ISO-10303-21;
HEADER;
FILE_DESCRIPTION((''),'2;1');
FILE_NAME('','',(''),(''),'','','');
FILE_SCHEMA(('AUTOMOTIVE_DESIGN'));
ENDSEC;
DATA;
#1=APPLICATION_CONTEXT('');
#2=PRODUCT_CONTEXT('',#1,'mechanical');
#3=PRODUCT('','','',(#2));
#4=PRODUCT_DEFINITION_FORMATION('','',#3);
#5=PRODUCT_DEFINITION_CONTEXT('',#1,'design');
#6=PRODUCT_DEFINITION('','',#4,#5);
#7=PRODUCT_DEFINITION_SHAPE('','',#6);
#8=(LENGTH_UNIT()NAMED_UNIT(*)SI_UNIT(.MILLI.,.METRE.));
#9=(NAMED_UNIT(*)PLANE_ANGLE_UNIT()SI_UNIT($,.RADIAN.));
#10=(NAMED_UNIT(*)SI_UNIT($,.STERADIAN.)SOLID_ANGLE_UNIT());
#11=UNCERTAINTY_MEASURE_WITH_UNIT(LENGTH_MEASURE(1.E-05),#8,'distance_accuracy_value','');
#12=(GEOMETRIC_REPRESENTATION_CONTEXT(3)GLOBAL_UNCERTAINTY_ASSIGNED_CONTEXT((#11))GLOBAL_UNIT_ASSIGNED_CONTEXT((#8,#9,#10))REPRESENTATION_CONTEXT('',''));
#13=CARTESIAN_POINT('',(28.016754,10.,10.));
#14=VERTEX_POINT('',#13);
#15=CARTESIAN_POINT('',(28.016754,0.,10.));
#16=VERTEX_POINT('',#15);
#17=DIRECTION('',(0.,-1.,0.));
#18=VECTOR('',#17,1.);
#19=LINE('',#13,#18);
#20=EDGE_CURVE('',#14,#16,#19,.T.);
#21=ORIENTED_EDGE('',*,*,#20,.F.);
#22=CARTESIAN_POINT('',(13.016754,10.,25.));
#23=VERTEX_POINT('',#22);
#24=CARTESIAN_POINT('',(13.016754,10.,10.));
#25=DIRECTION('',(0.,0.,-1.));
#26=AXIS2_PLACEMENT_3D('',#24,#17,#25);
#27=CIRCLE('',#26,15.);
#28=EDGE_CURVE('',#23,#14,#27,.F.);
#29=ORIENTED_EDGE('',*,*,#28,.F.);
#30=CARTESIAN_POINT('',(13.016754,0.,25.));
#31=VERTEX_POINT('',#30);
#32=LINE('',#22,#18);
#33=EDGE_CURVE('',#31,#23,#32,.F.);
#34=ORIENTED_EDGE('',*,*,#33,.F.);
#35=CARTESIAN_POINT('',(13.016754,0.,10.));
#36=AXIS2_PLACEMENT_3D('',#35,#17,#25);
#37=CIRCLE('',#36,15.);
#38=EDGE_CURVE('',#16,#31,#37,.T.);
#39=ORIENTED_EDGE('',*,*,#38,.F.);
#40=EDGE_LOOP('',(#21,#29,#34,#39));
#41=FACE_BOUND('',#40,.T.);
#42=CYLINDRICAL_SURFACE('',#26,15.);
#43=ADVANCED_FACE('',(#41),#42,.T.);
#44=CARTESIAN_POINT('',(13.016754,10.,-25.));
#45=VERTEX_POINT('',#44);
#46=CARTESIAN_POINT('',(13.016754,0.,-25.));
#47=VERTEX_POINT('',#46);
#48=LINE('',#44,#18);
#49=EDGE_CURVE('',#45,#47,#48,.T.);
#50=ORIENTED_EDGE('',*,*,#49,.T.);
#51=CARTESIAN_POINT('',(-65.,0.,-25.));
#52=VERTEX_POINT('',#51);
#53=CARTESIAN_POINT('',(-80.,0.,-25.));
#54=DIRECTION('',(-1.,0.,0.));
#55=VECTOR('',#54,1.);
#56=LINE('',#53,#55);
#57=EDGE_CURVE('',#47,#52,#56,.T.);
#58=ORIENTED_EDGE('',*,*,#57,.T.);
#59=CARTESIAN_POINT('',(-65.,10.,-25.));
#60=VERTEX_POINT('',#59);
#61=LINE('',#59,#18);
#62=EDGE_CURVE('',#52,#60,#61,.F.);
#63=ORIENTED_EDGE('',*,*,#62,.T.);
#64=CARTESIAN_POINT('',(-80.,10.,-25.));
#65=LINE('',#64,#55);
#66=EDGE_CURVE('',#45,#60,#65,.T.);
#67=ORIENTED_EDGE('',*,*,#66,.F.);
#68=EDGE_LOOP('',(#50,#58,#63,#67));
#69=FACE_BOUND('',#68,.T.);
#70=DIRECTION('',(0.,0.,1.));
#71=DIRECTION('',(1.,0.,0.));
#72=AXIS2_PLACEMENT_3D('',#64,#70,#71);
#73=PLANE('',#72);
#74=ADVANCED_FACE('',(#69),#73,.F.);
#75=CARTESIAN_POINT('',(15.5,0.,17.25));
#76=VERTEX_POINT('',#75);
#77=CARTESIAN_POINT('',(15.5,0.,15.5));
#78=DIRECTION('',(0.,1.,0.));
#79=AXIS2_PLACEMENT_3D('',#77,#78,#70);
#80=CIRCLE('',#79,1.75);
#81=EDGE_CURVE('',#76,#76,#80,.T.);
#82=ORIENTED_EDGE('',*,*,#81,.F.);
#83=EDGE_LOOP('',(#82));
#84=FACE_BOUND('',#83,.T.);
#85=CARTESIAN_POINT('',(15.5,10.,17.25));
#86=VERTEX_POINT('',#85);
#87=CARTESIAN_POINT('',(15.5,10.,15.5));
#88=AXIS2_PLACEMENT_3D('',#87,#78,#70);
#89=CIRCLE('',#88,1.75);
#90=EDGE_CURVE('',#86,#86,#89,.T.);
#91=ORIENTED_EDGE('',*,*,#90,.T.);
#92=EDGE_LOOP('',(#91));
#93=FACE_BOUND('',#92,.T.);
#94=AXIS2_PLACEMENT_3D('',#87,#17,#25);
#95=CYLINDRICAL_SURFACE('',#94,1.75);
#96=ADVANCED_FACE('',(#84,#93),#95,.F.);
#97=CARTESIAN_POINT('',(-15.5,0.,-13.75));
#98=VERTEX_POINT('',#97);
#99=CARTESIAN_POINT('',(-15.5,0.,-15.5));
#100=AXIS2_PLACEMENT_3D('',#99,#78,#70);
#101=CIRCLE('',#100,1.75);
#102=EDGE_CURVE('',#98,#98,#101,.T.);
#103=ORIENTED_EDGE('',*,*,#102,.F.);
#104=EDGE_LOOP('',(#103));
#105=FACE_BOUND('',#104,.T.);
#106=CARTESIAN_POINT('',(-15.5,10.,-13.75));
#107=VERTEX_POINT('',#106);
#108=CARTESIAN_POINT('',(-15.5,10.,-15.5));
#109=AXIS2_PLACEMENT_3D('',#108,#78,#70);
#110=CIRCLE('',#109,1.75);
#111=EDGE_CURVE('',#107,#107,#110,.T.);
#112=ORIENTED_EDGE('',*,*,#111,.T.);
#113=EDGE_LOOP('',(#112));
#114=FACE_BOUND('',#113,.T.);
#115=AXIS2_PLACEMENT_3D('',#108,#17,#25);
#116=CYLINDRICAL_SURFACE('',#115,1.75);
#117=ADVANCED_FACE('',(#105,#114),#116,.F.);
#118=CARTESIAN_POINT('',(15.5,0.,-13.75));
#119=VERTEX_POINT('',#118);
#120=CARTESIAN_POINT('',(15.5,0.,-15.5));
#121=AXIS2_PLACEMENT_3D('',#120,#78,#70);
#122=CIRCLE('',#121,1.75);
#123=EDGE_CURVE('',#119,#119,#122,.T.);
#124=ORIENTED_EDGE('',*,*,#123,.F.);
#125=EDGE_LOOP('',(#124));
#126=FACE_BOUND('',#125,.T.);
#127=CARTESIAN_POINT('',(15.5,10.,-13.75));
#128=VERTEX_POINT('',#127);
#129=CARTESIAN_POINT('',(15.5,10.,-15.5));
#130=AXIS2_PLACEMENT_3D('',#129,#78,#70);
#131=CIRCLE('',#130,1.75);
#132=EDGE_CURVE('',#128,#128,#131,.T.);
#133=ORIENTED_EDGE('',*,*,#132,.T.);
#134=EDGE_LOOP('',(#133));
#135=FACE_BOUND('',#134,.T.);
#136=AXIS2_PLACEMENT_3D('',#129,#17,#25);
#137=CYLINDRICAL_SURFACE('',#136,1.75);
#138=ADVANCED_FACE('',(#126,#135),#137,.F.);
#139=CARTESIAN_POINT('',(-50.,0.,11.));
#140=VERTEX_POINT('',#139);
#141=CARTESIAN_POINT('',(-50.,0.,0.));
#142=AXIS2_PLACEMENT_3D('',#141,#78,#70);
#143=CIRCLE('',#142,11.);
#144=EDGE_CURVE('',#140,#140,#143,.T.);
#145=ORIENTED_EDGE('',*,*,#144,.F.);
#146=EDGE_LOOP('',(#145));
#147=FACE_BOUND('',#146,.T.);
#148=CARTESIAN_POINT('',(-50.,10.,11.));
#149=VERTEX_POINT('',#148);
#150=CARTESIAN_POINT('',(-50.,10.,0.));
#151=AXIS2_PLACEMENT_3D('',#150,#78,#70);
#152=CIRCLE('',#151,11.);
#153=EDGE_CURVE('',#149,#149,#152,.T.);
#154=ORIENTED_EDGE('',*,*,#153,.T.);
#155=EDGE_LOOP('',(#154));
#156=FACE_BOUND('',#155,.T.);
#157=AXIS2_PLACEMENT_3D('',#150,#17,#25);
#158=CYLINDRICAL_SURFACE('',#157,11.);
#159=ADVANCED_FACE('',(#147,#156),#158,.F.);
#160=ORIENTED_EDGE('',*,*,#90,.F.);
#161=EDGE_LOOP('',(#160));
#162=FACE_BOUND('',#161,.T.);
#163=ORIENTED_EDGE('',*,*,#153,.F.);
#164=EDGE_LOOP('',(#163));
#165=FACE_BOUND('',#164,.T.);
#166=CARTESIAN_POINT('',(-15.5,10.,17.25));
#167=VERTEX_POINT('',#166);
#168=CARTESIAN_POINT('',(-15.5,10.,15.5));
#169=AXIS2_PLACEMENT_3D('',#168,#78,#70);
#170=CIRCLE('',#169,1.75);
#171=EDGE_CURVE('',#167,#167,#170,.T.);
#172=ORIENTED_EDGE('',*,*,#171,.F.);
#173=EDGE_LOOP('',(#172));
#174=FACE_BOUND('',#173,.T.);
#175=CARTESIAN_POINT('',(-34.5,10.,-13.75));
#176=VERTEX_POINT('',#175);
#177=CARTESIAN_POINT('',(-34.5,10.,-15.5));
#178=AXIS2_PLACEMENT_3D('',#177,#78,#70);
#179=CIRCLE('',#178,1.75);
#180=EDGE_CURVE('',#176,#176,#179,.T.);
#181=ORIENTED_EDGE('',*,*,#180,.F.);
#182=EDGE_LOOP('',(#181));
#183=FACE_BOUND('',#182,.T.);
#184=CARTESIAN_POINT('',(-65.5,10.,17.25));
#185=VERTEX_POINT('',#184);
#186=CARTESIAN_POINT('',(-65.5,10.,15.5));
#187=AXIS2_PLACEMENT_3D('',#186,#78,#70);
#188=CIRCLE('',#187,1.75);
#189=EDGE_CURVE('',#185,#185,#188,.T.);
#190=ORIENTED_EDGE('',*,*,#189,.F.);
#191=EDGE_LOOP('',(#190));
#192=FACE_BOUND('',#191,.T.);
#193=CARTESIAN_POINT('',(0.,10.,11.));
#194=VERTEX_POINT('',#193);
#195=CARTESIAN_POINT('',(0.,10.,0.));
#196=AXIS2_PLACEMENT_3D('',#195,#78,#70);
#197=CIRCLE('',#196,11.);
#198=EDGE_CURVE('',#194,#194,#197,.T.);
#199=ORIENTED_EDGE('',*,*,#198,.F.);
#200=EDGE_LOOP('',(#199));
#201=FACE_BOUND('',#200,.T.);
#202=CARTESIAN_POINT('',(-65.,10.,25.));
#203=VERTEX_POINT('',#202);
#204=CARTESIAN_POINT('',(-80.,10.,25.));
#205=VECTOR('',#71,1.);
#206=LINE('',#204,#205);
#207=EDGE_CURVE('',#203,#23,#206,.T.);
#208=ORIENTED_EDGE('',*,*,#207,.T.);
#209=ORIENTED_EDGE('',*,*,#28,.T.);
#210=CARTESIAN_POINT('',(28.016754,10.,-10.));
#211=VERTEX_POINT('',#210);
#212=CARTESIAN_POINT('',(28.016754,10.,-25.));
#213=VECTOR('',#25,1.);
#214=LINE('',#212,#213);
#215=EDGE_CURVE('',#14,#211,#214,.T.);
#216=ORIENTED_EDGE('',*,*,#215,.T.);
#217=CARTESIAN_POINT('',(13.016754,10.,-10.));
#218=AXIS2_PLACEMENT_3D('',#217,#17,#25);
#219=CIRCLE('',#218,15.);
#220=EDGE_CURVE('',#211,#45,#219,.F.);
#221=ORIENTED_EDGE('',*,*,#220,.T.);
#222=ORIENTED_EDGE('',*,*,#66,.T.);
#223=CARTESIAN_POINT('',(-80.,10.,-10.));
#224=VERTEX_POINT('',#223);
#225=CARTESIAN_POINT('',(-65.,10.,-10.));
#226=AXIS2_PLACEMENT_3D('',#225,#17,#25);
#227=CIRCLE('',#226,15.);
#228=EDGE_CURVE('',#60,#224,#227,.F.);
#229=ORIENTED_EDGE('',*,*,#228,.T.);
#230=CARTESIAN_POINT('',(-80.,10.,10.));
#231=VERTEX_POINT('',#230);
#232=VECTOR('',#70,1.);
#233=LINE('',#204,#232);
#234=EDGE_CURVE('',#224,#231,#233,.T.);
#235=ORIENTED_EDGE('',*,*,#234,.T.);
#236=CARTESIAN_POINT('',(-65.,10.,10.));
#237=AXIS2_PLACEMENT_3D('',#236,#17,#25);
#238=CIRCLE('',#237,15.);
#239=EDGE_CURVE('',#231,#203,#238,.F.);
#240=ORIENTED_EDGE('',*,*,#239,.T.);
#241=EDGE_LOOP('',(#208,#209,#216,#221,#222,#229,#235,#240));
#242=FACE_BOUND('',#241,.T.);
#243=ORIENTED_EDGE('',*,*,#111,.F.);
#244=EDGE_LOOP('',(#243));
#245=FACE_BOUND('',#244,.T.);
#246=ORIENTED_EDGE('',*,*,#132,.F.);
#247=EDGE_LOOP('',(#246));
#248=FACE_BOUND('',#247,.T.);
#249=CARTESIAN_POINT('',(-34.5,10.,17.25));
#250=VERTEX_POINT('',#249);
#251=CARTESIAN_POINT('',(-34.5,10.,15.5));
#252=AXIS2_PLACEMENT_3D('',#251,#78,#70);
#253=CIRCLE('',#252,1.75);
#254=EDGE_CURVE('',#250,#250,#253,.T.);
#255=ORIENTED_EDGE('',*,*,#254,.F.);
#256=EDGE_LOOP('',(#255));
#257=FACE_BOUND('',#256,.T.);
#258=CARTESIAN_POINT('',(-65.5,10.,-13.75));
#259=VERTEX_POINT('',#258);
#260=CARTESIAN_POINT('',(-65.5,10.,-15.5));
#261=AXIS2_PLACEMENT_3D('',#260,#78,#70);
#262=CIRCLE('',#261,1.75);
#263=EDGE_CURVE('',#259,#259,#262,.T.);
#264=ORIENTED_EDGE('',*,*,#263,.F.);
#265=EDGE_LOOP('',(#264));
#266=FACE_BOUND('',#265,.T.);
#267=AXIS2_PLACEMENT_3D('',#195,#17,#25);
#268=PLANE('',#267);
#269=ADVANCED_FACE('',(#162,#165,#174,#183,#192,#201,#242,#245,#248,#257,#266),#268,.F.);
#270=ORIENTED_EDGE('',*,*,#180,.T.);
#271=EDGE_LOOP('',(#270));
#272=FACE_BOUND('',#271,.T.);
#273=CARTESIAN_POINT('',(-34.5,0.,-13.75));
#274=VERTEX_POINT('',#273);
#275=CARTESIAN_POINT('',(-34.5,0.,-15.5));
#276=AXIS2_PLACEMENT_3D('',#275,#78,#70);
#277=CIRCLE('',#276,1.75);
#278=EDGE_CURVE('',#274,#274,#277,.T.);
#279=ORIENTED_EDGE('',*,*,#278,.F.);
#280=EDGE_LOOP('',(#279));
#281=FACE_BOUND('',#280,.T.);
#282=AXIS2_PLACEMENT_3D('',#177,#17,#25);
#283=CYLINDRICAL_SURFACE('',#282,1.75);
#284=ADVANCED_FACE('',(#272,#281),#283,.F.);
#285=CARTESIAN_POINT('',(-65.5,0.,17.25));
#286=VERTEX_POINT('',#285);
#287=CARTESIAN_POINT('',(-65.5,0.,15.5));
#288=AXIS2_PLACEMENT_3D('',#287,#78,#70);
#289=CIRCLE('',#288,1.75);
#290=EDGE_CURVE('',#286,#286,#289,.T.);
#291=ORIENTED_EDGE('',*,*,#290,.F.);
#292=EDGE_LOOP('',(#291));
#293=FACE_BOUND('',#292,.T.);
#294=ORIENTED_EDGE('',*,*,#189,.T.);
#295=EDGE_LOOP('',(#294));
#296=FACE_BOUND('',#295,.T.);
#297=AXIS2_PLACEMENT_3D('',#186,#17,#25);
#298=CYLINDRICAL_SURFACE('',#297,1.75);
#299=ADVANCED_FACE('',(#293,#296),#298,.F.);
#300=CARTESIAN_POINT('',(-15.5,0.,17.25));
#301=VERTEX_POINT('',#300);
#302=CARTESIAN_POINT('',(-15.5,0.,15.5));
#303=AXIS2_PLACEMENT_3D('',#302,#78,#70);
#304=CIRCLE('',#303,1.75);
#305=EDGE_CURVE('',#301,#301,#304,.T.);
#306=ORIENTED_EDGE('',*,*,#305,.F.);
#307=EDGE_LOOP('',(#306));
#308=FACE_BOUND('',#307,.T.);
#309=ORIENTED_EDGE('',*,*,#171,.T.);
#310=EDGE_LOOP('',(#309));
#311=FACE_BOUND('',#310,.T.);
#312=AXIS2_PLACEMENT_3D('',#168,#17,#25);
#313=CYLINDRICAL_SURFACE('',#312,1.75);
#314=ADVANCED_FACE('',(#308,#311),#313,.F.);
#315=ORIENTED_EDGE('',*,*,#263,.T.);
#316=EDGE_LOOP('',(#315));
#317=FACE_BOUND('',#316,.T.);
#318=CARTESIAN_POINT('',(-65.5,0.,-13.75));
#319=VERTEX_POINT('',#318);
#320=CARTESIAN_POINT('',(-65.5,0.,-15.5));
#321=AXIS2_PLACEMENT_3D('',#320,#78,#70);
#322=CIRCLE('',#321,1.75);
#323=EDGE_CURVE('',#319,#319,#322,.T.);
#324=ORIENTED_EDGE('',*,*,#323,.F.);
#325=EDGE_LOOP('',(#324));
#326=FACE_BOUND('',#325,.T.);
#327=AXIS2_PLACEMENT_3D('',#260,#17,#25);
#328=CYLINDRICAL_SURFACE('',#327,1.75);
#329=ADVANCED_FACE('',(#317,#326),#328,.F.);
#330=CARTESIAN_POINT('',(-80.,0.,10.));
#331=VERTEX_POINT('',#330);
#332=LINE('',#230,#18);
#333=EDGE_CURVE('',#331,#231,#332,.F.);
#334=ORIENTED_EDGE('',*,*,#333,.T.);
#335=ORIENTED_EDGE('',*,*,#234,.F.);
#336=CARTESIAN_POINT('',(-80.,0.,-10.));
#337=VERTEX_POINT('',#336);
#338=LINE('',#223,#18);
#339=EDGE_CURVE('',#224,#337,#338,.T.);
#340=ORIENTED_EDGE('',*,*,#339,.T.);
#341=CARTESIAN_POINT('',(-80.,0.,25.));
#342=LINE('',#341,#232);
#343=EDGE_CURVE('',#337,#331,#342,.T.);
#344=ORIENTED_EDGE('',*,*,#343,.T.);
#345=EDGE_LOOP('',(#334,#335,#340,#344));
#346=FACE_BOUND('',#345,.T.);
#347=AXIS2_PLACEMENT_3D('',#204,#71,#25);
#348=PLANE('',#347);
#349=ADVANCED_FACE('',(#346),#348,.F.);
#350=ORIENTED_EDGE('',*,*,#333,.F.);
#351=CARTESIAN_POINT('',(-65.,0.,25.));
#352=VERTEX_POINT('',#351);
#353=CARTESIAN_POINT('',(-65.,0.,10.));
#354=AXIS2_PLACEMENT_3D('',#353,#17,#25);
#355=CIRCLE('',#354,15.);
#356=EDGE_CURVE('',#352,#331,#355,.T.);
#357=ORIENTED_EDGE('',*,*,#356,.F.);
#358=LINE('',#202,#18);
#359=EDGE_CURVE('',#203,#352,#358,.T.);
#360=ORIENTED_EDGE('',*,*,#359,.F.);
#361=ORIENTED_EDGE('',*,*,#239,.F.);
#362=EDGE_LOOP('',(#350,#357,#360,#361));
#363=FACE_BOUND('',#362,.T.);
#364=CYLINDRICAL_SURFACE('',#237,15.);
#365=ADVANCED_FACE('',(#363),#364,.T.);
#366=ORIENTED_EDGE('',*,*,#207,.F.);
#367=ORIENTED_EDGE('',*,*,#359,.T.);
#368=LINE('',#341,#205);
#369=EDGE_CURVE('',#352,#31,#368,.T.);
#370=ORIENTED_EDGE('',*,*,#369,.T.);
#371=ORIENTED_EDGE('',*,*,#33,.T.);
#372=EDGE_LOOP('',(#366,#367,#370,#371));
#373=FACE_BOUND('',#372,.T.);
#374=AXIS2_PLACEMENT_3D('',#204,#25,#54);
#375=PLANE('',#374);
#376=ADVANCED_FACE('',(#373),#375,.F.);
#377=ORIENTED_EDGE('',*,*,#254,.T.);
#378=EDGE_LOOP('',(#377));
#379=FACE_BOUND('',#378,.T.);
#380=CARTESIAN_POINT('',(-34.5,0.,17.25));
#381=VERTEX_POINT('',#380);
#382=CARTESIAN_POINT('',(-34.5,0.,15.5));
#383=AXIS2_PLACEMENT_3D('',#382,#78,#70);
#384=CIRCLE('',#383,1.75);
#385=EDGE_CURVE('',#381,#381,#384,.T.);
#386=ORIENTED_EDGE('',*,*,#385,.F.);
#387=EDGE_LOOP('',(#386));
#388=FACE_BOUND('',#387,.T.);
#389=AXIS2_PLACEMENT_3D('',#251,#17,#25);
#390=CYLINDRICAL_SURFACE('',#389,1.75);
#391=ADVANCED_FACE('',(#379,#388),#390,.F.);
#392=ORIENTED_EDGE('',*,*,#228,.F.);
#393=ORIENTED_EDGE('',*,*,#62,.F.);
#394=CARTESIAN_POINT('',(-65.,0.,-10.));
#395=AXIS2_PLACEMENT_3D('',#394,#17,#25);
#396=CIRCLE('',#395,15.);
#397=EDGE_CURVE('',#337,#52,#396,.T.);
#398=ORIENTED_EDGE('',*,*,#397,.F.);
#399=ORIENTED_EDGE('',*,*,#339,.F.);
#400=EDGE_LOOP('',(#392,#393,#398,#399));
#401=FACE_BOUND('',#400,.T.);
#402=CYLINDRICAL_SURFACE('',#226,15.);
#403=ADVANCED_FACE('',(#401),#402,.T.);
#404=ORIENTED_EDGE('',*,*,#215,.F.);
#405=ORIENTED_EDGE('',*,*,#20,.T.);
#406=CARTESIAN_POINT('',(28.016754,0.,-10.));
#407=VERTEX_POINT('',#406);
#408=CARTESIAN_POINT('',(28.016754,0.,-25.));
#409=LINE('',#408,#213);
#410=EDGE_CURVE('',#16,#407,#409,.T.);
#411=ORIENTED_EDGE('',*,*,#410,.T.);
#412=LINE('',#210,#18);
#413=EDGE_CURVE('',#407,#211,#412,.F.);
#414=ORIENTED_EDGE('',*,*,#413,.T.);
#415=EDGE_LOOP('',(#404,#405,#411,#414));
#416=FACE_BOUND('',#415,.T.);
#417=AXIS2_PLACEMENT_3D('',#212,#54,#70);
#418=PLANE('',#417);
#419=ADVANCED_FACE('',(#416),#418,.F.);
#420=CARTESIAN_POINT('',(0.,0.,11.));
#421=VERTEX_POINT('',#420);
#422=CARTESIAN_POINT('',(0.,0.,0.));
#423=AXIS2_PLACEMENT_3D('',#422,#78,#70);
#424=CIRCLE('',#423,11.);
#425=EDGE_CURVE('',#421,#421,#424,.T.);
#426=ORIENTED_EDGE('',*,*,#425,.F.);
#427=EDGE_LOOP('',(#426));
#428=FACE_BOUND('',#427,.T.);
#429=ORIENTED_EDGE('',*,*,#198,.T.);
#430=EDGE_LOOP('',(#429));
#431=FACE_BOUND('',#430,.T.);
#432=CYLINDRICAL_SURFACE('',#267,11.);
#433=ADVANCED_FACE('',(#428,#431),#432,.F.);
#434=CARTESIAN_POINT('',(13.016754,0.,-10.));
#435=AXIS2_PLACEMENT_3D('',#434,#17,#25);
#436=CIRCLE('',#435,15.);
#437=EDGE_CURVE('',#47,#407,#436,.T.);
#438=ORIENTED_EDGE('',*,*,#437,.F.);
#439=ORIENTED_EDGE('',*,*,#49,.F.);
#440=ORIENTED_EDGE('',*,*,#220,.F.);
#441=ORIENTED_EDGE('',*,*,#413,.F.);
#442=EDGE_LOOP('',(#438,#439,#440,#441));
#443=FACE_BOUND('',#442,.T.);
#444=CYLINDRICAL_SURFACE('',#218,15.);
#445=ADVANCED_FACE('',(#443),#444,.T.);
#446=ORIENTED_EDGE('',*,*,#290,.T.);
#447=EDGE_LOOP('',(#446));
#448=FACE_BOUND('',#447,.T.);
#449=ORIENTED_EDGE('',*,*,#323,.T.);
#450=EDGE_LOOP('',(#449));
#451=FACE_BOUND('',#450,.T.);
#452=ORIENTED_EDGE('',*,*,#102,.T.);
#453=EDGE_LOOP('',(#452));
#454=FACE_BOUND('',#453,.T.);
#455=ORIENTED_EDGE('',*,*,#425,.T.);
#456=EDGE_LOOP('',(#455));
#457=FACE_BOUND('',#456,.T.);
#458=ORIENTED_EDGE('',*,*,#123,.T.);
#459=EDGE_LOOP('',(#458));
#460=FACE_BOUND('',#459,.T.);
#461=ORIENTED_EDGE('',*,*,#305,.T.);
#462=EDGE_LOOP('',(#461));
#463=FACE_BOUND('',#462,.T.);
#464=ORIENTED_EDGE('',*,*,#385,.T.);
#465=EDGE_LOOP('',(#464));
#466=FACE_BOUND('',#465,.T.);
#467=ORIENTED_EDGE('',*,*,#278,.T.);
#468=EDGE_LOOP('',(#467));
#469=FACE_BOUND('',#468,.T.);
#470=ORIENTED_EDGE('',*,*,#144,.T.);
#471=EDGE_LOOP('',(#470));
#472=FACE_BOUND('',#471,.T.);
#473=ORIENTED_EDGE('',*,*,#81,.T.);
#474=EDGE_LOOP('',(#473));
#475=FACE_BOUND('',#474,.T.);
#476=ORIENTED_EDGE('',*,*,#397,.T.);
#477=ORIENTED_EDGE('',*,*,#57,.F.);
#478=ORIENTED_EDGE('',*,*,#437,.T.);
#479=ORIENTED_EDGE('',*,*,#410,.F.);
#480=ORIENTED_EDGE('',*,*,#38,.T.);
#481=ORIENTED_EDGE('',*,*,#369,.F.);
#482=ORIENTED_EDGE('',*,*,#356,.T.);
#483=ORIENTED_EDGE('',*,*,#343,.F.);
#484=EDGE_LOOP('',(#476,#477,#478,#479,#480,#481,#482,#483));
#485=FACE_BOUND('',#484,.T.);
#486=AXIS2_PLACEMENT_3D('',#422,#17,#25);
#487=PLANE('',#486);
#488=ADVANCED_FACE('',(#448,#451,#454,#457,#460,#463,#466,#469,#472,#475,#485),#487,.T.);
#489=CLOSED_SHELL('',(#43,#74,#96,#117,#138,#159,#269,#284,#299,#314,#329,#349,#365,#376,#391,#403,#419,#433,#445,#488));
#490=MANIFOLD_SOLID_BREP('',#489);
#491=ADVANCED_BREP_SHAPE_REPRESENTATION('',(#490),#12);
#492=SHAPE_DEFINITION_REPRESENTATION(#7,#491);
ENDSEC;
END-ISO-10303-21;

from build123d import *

# Parameters (mm, degrees)
SKETCH1_W           = 108.016753786
SKETCH1_H           = 50
SKETCH1_R           = 11
SKETCH1_R_2         = 1.75
BOSS_EXTRUDE1_DEPTH = 10
FILLET1_R           = 15


with BuildPart() as part:
    # Sketch1 → Boss-Extrude1 (new body)
    with BuildSketch(Plane(origin=(0, 0, 0), x_dir=(1, 0, 0), z_dir=(0, 1, 0))):
        with Locations((-25.991623107, 0)):
            Rectangle(SKETCH1_W, SKETCH1_H)
        Circle(SKETCH1_R, mode=Mode.SUBTRACT)
        with Locations((15.5, 15.5)):
            Circle(SKETCH1_R_2, mode=Mode.SUBTRACT)
        with Locations((-15.5, 15.5)):
            Circle(SKETCH1_R_2, mode=Mode.SUBTRACT)
        with Locations((-15.5, -15.5)):
            Circle(SKETCH1_R_2, mode=Mode.SUBTRACT)
        with Locations((15.5, -15.5)):
            Circle(SKETCH1_R_2, mode=Mode.SUBTRACT)
        with Locations((-65.5, 15.5)):
            Circle(SKETCH1_R_2, mode=Mode.SUBTRACT)
        with Locations((-34.5, 15.5)):
            Circle(SKETCH1_R_2, mode=Mode.SUBTRACT)
        with Locations((-34.5, -15.5)):
            Circle(SKETCH1_R_2, mode=Mode.SUBTRACT)
        with Locations((-65.5, -15.5)):
            Circle(SKETCH1_R_2, mode=Mode.SUBTRACT)
        with Locations((-50, 0)):
            Circle(SKETCH1_R, mode=Mode.SUBTRACT)
    extrude(amount=BOSS_EXTRUDE1_DEPTH)

    # Fillet1
    fillet1_edges = [part.edges().sort_by_distance(p)[0] for p in [
        (-80, 5, -25),
        (28.016753786, 5, -25),
        (28.016753786, 5, 25),
        (-80, 5, 25),
    ]]
    fillet(fillet1_edges, radius=FILLET1_R)


solid = part.part
